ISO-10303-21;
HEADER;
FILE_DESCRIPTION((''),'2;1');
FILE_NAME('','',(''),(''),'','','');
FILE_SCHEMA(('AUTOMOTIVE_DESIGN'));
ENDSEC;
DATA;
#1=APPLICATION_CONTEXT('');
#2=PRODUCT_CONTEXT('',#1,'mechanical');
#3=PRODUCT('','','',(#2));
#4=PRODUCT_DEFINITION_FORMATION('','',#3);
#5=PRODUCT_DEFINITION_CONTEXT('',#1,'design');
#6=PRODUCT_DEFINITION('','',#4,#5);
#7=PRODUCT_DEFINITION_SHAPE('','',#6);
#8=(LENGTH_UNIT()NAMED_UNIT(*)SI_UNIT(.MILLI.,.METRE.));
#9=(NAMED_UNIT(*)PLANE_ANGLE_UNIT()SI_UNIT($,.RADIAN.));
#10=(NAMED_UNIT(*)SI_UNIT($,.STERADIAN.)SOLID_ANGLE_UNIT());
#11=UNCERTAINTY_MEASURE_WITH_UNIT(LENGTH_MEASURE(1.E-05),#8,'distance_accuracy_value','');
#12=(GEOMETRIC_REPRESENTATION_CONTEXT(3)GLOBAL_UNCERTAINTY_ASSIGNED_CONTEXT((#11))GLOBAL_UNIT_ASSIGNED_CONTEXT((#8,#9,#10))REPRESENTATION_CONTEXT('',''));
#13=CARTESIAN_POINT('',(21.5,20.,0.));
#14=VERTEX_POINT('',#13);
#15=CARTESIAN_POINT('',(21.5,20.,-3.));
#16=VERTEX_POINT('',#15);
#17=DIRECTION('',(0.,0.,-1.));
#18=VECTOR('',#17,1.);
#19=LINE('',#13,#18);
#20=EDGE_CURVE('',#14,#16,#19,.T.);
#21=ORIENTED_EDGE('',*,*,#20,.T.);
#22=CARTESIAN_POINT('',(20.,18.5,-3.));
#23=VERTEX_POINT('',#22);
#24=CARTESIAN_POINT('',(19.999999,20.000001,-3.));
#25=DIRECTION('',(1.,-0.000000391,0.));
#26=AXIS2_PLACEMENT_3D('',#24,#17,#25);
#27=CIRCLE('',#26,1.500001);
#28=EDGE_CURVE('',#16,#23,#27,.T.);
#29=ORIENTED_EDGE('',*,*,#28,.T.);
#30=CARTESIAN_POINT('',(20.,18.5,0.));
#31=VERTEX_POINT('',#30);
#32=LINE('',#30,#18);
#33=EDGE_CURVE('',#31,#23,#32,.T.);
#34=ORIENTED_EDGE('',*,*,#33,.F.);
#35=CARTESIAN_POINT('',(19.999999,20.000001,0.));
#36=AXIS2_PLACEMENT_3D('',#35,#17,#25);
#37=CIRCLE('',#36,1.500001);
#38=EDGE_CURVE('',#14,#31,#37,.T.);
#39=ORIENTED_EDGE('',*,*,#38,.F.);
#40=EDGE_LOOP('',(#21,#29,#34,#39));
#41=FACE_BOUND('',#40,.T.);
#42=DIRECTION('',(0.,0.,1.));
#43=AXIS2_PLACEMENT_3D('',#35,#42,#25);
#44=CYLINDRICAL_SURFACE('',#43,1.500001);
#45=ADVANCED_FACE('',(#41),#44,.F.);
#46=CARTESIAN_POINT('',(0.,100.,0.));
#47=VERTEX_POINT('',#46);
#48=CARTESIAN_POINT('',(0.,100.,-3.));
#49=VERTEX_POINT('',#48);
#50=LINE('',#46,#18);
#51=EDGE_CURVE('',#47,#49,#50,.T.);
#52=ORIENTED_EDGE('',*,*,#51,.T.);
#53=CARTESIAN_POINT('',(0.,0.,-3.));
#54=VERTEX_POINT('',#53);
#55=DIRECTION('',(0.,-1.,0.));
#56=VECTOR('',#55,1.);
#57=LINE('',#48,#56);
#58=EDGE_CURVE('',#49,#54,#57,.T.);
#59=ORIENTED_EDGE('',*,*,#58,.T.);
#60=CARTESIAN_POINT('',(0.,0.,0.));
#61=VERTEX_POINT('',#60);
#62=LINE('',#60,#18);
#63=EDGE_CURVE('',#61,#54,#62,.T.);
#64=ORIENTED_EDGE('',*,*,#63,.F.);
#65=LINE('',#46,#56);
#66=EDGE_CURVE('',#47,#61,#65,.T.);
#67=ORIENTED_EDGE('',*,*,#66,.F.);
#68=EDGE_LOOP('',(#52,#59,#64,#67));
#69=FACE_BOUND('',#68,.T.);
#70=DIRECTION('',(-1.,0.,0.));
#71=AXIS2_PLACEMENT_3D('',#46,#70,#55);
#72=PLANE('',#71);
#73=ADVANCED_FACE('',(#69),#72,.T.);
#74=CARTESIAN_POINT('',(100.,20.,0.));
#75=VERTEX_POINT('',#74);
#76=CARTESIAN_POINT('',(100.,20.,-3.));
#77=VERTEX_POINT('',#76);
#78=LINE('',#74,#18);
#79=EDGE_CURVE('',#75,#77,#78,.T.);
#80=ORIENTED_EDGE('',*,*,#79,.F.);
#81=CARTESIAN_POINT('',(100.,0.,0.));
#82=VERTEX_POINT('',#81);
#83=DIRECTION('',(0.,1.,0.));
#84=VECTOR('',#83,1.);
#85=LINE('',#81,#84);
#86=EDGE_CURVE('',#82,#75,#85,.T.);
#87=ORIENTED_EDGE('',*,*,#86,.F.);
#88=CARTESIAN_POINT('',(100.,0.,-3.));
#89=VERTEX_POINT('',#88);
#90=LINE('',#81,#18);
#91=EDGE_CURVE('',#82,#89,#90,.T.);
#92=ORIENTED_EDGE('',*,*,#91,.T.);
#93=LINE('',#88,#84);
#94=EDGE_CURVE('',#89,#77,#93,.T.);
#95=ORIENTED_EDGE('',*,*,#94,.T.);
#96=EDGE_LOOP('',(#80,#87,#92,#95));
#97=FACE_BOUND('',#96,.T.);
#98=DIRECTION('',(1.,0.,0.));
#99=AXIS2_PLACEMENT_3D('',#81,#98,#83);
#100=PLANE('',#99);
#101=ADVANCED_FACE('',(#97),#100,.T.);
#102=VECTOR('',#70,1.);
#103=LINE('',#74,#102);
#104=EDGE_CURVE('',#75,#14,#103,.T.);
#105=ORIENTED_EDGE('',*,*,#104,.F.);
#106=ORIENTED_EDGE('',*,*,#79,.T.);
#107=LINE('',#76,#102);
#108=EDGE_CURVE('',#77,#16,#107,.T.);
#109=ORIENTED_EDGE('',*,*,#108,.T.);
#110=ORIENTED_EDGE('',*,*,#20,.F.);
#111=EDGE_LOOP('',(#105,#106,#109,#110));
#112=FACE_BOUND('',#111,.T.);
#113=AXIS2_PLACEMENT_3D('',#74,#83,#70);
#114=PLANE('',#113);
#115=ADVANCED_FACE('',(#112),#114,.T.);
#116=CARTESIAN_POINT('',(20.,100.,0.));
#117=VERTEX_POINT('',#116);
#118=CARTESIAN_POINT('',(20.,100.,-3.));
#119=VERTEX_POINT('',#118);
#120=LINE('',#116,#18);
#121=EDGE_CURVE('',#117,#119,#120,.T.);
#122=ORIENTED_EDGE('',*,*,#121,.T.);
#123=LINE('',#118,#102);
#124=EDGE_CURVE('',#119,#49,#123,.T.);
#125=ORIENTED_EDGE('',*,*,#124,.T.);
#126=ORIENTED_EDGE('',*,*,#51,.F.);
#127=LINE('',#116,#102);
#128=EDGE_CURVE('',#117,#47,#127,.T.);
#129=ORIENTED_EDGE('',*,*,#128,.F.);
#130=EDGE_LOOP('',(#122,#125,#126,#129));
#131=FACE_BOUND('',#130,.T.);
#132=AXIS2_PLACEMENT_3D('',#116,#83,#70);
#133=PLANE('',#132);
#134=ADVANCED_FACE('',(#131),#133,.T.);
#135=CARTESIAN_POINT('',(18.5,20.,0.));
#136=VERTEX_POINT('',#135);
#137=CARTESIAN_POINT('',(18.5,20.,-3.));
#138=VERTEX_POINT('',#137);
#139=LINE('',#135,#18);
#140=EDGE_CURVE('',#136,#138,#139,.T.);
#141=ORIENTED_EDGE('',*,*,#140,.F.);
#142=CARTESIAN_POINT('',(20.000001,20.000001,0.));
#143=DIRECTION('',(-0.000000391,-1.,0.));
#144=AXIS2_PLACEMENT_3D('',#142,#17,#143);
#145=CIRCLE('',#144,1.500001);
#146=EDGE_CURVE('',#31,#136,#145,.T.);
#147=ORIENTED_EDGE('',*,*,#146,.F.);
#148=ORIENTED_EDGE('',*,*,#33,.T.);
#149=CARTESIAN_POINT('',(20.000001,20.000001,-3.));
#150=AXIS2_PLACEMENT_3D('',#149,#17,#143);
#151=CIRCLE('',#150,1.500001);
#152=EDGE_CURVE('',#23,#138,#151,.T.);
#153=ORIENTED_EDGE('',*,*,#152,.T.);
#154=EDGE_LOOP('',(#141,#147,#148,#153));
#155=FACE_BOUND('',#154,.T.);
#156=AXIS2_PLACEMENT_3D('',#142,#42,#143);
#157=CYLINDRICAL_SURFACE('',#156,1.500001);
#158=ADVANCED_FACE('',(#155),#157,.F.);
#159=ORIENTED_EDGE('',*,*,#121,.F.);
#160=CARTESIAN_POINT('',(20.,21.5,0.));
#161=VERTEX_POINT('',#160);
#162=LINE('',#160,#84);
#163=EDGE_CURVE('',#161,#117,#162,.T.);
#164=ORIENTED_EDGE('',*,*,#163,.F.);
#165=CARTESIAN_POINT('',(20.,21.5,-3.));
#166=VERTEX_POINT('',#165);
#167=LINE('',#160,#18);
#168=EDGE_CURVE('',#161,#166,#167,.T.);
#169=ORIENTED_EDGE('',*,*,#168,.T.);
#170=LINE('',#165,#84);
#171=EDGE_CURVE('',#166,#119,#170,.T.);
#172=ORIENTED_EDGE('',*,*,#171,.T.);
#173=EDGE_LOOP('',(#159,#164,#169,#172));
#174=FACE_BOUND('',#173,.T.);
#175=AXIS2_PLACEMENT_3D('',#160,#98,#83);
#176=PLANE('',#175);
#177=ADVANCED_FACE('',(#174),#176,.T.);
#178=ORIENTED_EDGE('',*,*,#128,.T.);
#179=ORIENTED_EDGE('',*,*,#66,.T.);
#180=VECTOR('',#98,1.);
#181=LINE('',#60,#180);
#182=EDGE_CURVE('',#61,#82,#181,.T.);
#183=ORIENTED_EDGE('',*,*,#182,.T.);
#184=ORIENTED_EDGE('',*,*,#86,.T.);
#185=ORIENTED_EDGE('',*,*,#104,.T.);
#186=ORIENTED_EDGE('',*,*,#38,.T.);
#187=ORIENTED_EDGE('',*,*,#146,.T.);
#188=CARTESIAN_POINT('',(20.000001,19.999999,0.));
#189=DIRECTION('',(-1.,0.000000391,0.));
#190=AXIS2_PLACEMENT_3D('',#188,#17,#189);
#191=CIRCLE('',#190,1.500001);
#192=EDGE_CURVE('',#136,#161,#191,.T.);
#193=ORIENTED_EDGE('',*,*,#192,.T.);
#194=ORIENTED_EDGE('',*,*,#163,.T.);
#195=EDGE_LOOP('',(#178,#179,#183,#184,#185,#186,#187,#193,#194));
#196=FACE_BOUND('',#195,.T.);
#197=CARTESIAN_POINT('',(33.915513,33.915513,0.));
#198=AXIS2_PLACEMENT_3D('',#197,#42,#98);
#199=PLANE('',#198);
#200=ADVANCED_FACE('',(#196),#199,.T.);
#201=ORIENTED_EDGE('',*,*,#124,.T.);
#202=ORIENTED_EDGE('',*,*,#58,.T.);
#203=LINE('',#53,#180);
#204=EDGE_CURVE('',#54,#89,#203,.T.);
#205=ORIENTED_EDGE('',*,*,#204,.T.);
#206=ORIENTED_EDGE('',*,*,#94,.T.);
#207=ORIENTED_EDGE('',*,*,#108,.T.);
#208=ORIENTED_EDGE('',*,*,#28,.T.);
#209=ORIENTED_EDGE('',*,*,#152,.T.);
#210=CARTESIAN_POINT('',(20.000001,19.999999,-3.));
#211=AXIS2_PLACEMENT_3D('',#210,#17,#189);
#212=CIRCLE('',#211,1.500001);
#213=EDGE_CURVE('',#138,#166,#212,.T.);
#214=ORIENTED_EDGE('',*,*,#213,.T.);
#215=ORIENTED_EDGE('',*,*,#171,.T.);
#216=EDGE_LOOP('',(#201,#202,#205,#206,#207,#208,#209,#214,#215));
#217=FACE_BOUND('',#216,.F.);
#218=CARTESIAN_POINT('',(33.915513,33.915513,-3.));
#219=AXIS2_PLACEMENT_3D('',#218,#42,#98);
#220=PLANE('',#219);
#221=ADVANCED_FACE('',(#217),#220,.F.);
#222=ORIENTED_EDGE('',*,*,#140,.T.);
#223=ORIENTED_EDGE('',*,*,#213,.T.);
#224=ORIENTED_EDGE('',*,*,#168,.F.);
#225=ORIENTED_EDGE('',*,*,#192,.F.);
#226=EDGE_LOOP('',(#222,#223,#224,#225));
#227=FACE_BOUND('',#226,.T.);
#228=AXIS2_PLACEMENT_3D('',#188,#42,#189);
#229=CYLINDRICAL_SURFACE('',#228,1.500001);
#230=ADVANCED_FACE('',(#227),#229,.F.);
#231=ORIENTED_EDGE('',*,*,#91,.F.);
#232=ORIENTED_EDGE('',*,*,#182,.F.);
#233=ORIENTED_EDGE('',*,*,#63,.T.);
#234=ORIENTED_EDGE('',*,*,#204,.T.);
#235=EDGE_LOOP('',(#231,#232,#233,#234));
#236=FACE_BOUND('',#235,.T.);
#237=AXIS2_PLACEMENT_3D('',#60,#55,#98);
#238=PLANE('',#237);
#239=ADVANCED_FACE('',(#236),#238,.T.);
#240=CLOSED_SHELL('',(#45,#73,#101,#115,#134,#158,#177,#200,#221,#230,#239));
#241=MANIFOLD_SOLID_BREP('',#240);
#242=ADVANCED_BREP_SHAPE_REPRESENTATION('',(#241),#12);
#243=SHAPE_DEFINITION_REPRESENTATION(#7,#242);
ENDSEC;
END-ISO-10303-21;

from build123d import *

# Parameters (mm, degrees)
F0_W     = 1
F0_H     = 1
F1_DEPTH = 3


with BuildPart() as f1:
    # F0 (on Top) → F1 (new body)
    with BuildSketch(Plane.XY):
        with BuildLine():
            Line((5, 5), (5, 0))
            Line((5, 0), (6, 0))
            Line((6, 0), (7, 0))
            Line((7, 0), (8, 0))
            Line((8, 0), (9, 0))
            Line((9, 0), (10, 0))
            Line((10, 0), (11, 0))
            Line((11, 0), (12, 0))
            Line((12, 0), (13, 0))
            Line((13, 0), (14, 0))
            Line((14, 0), (15, 0))
            Line((15, 0), (16, 0))
            Line((16, 0), (17, 0))
            Line((17, 0), (18, 0))
            Line((18, 0), (19, 0))
            Line((19, 0), (20, 0))
            Line((20, 0), (21, 0))
            Line((21, 0), (22, 0))
            Line((22, 0), (23, 0))
            Line((23, 0), (24, 0))
            Line((24, 0), (25, 0))
            Line((25, 0), (26, 0))
            Line((26, 0), (27, 0))
            Line((27, 0), (28, 0))
            Line((28, 0), (29, 0))
            Line((29, 0), (30, 0))
            Line((30, 0), (31, 0))
            Line((31, 0), (32, 0))
            Line((32, 0), (33, 0))
            Line((33, 0), (34, 0))
            Line((34, 0), (35, 0))
            Line((35, 0), (36, 0))
            Line((36, 0), (37, 0))
            Line((37, 0), (38, 0))
            Line((38, 0), (39, 0))
            Line((39, 0), (40, 0))
            Line((40, 0), (41, 0))
            Line((41, 0), (42, 0))
            Line((42, 0), (43, 0))
            Line((43, 0), (44, 0))
            Line((44, 0), (45, 0))
            Line((45, 0), (46, 0))
            Line((46, 0), (47, 0))
            Line((47, 0), (48, 0))
            Line((48, 0), (49, 0))
            Line((49, 0), (50, 0))
            Line((50, 0), (51, 0))
            Line((51, 0), (52, 0))
            Line((52, 0), (53, 0))
            Line((53, 0), (54, 0))
            Line((54, 0), (55, 0))
            Line((55, 0), (56, 0))
            Line((56, 0), (57, 0))
            Line((57, 0), (58, 0))
            Line((58, 0), (59, 0))
            Line((59, 0), (60, 0))
            Line((60, 0), (61, 0))
            Line((61, 0), (62, 0))
            Line((62, 0), (63, 0))
            Line((63, 0), (64, 0))
            Line((64, 0), (65, 0))
            Line((65, 0), (66, 0))
            Line((66, 0), (67, 0))
            Line((67, 0), (68, 0))
            Line((68, 0), (69, 0))
            Line((69, 0), (70, 0))
            Line((70, 0), (71, 0))
            Line((71, 0), (72, 0))
            Line((72, 0), (73, 0))
            Line((73, 0), (74, 0))
            Line((74, 0), (75, 0))
            Line((75, 0), (76, 0))
            Line((76, 0), (77, 0))
            Line((77, 0), (78, 0))
            Line((78, 0), (79, 0))
            Line((79, 0), (80, 0))
            Line((80, 0), (81, 0))
            Line((81, 0), (82, 0))
            Line((82, 0), (83, 0))
            Line((83, 0), (84, 0))
            Line((84, 0), (85, 0))
            Line((85, 0), (86, 0))
            Line((86, 0), (87, 0))
            Line((87, 0), (88, 0))
            Line((88, 0), (89, 0))
            Line((89, 0), (90, 0))
            Line((90, 0), (91, 0))
            Line((91, 0), (92, 0))
            Line((92, 0), (93, 0))
            Line((93, 0), (94, 0))
            Line((94, 0), (95, 0))
            Line((95, 0), (96, 0))
            Line((96, 0), (97, 0))
            Line((97, 0), (98, 0))
            Line((98, 0), (99, 0))
            Line((99, 0), (100, 0))
            Line((100, 0), (100, 5))
            Line((100, 5), (100, 20))
            Line((100, 20), (99, 20))
            Line((99, 20), (98, 20))
            Line((98, 20), (97, 20))
            Line((97, 20), (96, 20))
            Line((96, 20), (95, 20))
            Line((95, 20), (94, 20))
            Line((94, 20), (93, 20))
            Line((93, 20), (92, 20))
            Line((92, 20), (91, 20))
            Line((91, 20), (90, 20))
            Line((90, 20), (89, 20))
            Line((89, 20), (88, 20))
            Line((88, 20), (87, 20))
            Line((87, 20), (86, 20))
            Line((86, 20), (85, 20))
            Line((85, 20), (84, 20))
            Line((84, 20), (83, 20))
            Line((83, 20), (82, 20))
            Line((82, 20), (81, 20))
            Line((81, 20), (80, 20))
            Line((80, 20), (79, 20))
            Line((79, 20), (78, 20))
            Line((78, 20), (77, 20))
            Line((77, 20), (76, 20))
            Line((76, 20), (75, 20))
            Line((75, 20), (74, 20))
            Line((74, 20), (73, 20))
            Line((73, 20), (72, 20))
            Line((72, 20), (71, 20))
            Line((71, 20), (70, 20))
            Line((70, 20), (69, 20))
            Line((69, 20), (68, 20))
            Line((68, 20), (67, 20))
            Line((67, 20), (66, 20))
            Line((66, 20), (65, 20))
            Line((65, 20), (64, 20))
            Line((64, 20), (63, 20))
            Line((63, 20), (62, 20))
            Line((62, 20), (61, 20))
            Line((61, 20), (60, 20))
            Line((60, 20), (59, 20))
            Line((59, 20), (58, 20))
            Line((58, 20), (57, 20))
            Line((57, 20), (56, 20))
            Line((56, 20), (55, 20))
            Line((55, 20), (54, 20))
            Line((54, 20), (53, 20))
            Line((53, 20), (52, 20))
            Line((52, 20), (51, 20))
            Line((51, 20), (50, 20))
            Line((50, 20), (49, 20))
            Line((49, 20), (48, 20))
            Line((48, 20), (47, 20))
            Line((47, 20), (46, 20))
            Line((46, 20), (45, 20))
            Line((45, 20), (44, 20))
            Line((44, 20), (43, 20))
            Line((43, 20), (42, 20))
            Line((42, 20), (41, 20))
            Line((41, 20), (40, 20))
            Line((40, 20), (39, 20))
            Line((39, 20), (38, 20))
            Line((38, 20), (37, 20))
            Line((37, 20), (36, 20))
            Line((36, 20), (35, 20))
            Line((35, 20), (34, 20))
            Line((34, 20), (33, 20))
            Line((33, 20), (32, 20))
            Line((32, 20), (31, 20))
            Line((31, 20), (30, 20))
            Line((30, 20), (29, 20))
            Line((29, 20), (28, 20))
            Line((28, 20), (27, 20))
            Line((27, 20), (26, 20))
            Line((26, 20), (25, 20))
            Line((25, 20), (24, 20))
            Line((24, 20), (23, 20))
            Line((23, 20), (22, 20))
            Line((22, 20), (21.5, 20))
            ThreePointArc((21.5, 20), (21.06066, 18.93934), (20, 18.5))
            ThreePointArc((20, 18.5), (18.93934, 18.93934), (18.5, 20))
            ThreePointArc((18.5, 20), (18.93934, 21.06066), (20, 21.5))
            Line((20, 21.5), (20, 22))
            Line((20, 22), (20, 23))
            Line((20, 23), (20, 24))
            Line((20, 24), (20, 25))
            Line((20, 25), (20, 26))
            Line((20, 26), (20, 27))
            Line((20, 27), (20, 28))
            Line((20, 28), (20, 29))
            Line((20, 29), (20, 30))
            Line((20, 30), (20, 31))
            Line((20, 31), (20, 32))
            Line((20, 32), (20, 33))
            Line((20, 33), (20, 34))
            Line((20, 34), (20, 35))
            Line((20, 35), (20, 36))
            Line((20, 36), (20, 37))
            Line((20, 37), (20, 38))
            Line((20, 38), (20, 39))
            Line((20, 39), (20, 40))
            Line((20, 40), (20, 41))
            Line((20, 41), (20, 42))
            Line((20, 42), (20, 43))
            Line((20, 43), (20, 44))
            Line((20, 44), (20, 45))
            Line((20, 45), (20, 46))
            Line((20, 46), (20, 47))
            Line((20, 47), (20, 48))
            Line((20, 48), (20, 49))
            Line((20, 49), (20, 50))
            Line((20, 50), (20, 51))
            Line((20, 51), (20, 52))
            Line((20, 52), (20, 53))
            Line((20, 53), (20, 54))
            Line((20, 54), (20, 55))
            Line((20, 55), (20, 56))
            Line((20, 56), (20, 57))
            Line((20, 57), (20, 58))
            Line((20, 58), (20, 59))
            Line((20, 59), (20, 60))
            Line((20, 60), (20, 61))
            Line((20, 61), (20, 62))
            Line((20, 62), (20, 63))
            Line((20, 63), (20, 64))
            Line((20, 64), (20, 65))
            Line((20, 65), (20, 66))
            Line((20, 66), (20, 67))
            Line((20, 67), (20, 68))
            Line((20, 68), (20, 69))
            Line((20, 69), (20, 70))
            Line((20, 70), (20, 71))
            Line((20, 71), (20, 72))
            Line((20, 72), (20, 73))
            Line((20, 73), (20, 74))
            Line((20, 74), (20, 75))
            Line((20, 75), (20, 76))
            Line((20, 76), (20, 77))
            Line((20, 77), (20, 78))
            Line((20, 78), (20, 79))
            Line((20, 79), (20, 80))
            Line((20, 80), (20, 81))
            Line((20, 81), (20, 82))
            Line((20, 82), (20, 83))
            Line((20, 83), (20, 84))
            Line((20, 84), (20, 85))
            Line((20, 85), (20, 86))
            Line((20, 86), (20, 87))
            Line((20, 87), (20, 88))
            Line((20, 88), (20, 89))
            Line((20, 89), (20, 90))
            Line((20, 90), (20, 91))
            Line((20, 91), (20, 92))
            Line((20, 92), (20, 93))
            Line((20, 93), (20, 94))
            Line((20, 94), (20, 95))
            Line((20, 95), (20, 96))
            Line((20, 96), (20, 97))
            Line((20, 97), (20, 98))
            Line((20, 98), (20, 99))
            Line((20, 99), (20, 100))
            Line((20, 100), (5, 100))
            Line((5, 100), (0, 100))
            Line((0, 100), (0, 99))
            Line((0, 99), (0, 98))
            Line((0, 98), (0, 97))
            Line((0, 97), (0, 96))
            Line((0, 96), (0, 95))
            Line((0, 95), (0, 94))
            Line((0, 94), (0, 93))
            Line((0, 93), (0, 92))
            Line((0, 92), (0, 91))
            Line((0, 91), (0, 90))
            Line((0, 90), (0, 89))
            Line((0, 89), (0, 88))
            Line((0, 88), (0, 87))
            Line((0, 87), (0, 86))
            Line((0, 86), (0, 85))
            Line((0, 85), (0, 84))
            Line((0, 84), (0, 83))
            Line((0, 83), (0, 82))
            Line((0, 82), (0, 81))
            Line((0, 81), (0, 80))
            Line((0, 80), (0, 79))
            Line((0, 79), (0, 78))
            Line((0, 78), (0, 77))
            Line((0, 77), (0, 76))
            Line((0, 76), (0, 75))
            Line((0, 75), (0, 74))
            Line((0, 74), (0, 73))
            Line((0, 73), (0, 72))
            Line((0, 72), (0, 71))
            Line((0, 71), (0, 70))
            Line((0, 70), (0, 69))
            Line((0, 69), (0, 68))
            Line((0, 68), (0, 67))
            Line((0, 67), (0, 66))
            Line((0, 66), (0, 65))
            Line((0, 65), (0, 64))
            Line((0, 64), (0, 63))
            Line((0, 63), (0, 62))
            Line((0, 62), (0, 61))
            Line((0, 61), (0, 60))
            Line((0, 60), (0, 59))
            Line((0, 59), (0, 58))
            Line((0, 58), (0, 57))
            Line((0, 57), (0, 56))
            Line((0, 56), (0, 55))
            Line((0, 55), (0, 54))
            Line((0, 54), (0, 53))
            Line((0, 53), (0, 52))
            Line((0, 52), (0, 51))
            Line((0, 51), (0, 50))
            Line((0, 50), (0, 49))
            Line((0, 49), (0, 48))
            Line((0, 48), (0, 47))
            Line((0, 47), (0, 46))
            Line((0, 46), (0, 45))
            Line((0, 45), (0, 44))
            Line((0, 44), (0, 43))
            Line((0, 43), (0, 42))
            Line((0, 42), (0, 41))
            Line((0, 41), (0, 40))
            Line((0, 40), (0, 39))
            Line((0, 39), (0, 38))
            Line((0, 38), (0, 37))
            Line((0, 37), (0, 36))
            Line((0, 36), (0, 35))
            Line((0, 35), (0, 34))
            Line((0, 34), (0, 33))
            Line((0, 33), (0, 32))
            Line((0, 32), (0, 31))
            Line((0, 31), (0, 30))
            Line((0, 30), (0, 29))
            Line((0, 29), (0, 28))
            Line((0, 28), (0, 27))
            Line((0, 27), (0, 26))
            Line((0, 26), (0, 25))
            Line((0, 25), (0, 24))
            Line((0, 24), (0, 23))
            Line((0, 23), (0, 22))
            Line((0, 22), (0, 21))
            Line((0, 21), (0, 20))
            Line((0, 20), (0, 19))
            Line((0, 19), (0, 18))
            Line((0, 18), (0, 17))
            Line((0, 17), (0, 16))
            Line((0, 16), (0, 15))
            Line((0, 15), (0, 14))
            Line((0, 14), (0, 13))
            Line((0, 13), (0, 12))
            Line((0, 12), (0, 11))
            Line((0, 11), (0, 10))
            Line((0, 10), (0, 9))
            Line((0, 9), (0, 8))
            Line((0, 8), (0, 7))
            Line((0, 7), (0, 6))
            Line((0, 6), (0, 5))
            Line((0, 5), (5, 5))
        make_face()
        Polygon((1, 1), (1, 0), (2, 0), (3, 0), (4, 0), (5, 0), (5, 5), (0, 5), (0, 4), (0, 3), (0, 2), (0, 1), align=None)
        with Locations((0.5, 0.5)):
            Rectangle(F0_W, F0_H)
    extrude(amount=-F1_DEPTH)


solid = f1.part
